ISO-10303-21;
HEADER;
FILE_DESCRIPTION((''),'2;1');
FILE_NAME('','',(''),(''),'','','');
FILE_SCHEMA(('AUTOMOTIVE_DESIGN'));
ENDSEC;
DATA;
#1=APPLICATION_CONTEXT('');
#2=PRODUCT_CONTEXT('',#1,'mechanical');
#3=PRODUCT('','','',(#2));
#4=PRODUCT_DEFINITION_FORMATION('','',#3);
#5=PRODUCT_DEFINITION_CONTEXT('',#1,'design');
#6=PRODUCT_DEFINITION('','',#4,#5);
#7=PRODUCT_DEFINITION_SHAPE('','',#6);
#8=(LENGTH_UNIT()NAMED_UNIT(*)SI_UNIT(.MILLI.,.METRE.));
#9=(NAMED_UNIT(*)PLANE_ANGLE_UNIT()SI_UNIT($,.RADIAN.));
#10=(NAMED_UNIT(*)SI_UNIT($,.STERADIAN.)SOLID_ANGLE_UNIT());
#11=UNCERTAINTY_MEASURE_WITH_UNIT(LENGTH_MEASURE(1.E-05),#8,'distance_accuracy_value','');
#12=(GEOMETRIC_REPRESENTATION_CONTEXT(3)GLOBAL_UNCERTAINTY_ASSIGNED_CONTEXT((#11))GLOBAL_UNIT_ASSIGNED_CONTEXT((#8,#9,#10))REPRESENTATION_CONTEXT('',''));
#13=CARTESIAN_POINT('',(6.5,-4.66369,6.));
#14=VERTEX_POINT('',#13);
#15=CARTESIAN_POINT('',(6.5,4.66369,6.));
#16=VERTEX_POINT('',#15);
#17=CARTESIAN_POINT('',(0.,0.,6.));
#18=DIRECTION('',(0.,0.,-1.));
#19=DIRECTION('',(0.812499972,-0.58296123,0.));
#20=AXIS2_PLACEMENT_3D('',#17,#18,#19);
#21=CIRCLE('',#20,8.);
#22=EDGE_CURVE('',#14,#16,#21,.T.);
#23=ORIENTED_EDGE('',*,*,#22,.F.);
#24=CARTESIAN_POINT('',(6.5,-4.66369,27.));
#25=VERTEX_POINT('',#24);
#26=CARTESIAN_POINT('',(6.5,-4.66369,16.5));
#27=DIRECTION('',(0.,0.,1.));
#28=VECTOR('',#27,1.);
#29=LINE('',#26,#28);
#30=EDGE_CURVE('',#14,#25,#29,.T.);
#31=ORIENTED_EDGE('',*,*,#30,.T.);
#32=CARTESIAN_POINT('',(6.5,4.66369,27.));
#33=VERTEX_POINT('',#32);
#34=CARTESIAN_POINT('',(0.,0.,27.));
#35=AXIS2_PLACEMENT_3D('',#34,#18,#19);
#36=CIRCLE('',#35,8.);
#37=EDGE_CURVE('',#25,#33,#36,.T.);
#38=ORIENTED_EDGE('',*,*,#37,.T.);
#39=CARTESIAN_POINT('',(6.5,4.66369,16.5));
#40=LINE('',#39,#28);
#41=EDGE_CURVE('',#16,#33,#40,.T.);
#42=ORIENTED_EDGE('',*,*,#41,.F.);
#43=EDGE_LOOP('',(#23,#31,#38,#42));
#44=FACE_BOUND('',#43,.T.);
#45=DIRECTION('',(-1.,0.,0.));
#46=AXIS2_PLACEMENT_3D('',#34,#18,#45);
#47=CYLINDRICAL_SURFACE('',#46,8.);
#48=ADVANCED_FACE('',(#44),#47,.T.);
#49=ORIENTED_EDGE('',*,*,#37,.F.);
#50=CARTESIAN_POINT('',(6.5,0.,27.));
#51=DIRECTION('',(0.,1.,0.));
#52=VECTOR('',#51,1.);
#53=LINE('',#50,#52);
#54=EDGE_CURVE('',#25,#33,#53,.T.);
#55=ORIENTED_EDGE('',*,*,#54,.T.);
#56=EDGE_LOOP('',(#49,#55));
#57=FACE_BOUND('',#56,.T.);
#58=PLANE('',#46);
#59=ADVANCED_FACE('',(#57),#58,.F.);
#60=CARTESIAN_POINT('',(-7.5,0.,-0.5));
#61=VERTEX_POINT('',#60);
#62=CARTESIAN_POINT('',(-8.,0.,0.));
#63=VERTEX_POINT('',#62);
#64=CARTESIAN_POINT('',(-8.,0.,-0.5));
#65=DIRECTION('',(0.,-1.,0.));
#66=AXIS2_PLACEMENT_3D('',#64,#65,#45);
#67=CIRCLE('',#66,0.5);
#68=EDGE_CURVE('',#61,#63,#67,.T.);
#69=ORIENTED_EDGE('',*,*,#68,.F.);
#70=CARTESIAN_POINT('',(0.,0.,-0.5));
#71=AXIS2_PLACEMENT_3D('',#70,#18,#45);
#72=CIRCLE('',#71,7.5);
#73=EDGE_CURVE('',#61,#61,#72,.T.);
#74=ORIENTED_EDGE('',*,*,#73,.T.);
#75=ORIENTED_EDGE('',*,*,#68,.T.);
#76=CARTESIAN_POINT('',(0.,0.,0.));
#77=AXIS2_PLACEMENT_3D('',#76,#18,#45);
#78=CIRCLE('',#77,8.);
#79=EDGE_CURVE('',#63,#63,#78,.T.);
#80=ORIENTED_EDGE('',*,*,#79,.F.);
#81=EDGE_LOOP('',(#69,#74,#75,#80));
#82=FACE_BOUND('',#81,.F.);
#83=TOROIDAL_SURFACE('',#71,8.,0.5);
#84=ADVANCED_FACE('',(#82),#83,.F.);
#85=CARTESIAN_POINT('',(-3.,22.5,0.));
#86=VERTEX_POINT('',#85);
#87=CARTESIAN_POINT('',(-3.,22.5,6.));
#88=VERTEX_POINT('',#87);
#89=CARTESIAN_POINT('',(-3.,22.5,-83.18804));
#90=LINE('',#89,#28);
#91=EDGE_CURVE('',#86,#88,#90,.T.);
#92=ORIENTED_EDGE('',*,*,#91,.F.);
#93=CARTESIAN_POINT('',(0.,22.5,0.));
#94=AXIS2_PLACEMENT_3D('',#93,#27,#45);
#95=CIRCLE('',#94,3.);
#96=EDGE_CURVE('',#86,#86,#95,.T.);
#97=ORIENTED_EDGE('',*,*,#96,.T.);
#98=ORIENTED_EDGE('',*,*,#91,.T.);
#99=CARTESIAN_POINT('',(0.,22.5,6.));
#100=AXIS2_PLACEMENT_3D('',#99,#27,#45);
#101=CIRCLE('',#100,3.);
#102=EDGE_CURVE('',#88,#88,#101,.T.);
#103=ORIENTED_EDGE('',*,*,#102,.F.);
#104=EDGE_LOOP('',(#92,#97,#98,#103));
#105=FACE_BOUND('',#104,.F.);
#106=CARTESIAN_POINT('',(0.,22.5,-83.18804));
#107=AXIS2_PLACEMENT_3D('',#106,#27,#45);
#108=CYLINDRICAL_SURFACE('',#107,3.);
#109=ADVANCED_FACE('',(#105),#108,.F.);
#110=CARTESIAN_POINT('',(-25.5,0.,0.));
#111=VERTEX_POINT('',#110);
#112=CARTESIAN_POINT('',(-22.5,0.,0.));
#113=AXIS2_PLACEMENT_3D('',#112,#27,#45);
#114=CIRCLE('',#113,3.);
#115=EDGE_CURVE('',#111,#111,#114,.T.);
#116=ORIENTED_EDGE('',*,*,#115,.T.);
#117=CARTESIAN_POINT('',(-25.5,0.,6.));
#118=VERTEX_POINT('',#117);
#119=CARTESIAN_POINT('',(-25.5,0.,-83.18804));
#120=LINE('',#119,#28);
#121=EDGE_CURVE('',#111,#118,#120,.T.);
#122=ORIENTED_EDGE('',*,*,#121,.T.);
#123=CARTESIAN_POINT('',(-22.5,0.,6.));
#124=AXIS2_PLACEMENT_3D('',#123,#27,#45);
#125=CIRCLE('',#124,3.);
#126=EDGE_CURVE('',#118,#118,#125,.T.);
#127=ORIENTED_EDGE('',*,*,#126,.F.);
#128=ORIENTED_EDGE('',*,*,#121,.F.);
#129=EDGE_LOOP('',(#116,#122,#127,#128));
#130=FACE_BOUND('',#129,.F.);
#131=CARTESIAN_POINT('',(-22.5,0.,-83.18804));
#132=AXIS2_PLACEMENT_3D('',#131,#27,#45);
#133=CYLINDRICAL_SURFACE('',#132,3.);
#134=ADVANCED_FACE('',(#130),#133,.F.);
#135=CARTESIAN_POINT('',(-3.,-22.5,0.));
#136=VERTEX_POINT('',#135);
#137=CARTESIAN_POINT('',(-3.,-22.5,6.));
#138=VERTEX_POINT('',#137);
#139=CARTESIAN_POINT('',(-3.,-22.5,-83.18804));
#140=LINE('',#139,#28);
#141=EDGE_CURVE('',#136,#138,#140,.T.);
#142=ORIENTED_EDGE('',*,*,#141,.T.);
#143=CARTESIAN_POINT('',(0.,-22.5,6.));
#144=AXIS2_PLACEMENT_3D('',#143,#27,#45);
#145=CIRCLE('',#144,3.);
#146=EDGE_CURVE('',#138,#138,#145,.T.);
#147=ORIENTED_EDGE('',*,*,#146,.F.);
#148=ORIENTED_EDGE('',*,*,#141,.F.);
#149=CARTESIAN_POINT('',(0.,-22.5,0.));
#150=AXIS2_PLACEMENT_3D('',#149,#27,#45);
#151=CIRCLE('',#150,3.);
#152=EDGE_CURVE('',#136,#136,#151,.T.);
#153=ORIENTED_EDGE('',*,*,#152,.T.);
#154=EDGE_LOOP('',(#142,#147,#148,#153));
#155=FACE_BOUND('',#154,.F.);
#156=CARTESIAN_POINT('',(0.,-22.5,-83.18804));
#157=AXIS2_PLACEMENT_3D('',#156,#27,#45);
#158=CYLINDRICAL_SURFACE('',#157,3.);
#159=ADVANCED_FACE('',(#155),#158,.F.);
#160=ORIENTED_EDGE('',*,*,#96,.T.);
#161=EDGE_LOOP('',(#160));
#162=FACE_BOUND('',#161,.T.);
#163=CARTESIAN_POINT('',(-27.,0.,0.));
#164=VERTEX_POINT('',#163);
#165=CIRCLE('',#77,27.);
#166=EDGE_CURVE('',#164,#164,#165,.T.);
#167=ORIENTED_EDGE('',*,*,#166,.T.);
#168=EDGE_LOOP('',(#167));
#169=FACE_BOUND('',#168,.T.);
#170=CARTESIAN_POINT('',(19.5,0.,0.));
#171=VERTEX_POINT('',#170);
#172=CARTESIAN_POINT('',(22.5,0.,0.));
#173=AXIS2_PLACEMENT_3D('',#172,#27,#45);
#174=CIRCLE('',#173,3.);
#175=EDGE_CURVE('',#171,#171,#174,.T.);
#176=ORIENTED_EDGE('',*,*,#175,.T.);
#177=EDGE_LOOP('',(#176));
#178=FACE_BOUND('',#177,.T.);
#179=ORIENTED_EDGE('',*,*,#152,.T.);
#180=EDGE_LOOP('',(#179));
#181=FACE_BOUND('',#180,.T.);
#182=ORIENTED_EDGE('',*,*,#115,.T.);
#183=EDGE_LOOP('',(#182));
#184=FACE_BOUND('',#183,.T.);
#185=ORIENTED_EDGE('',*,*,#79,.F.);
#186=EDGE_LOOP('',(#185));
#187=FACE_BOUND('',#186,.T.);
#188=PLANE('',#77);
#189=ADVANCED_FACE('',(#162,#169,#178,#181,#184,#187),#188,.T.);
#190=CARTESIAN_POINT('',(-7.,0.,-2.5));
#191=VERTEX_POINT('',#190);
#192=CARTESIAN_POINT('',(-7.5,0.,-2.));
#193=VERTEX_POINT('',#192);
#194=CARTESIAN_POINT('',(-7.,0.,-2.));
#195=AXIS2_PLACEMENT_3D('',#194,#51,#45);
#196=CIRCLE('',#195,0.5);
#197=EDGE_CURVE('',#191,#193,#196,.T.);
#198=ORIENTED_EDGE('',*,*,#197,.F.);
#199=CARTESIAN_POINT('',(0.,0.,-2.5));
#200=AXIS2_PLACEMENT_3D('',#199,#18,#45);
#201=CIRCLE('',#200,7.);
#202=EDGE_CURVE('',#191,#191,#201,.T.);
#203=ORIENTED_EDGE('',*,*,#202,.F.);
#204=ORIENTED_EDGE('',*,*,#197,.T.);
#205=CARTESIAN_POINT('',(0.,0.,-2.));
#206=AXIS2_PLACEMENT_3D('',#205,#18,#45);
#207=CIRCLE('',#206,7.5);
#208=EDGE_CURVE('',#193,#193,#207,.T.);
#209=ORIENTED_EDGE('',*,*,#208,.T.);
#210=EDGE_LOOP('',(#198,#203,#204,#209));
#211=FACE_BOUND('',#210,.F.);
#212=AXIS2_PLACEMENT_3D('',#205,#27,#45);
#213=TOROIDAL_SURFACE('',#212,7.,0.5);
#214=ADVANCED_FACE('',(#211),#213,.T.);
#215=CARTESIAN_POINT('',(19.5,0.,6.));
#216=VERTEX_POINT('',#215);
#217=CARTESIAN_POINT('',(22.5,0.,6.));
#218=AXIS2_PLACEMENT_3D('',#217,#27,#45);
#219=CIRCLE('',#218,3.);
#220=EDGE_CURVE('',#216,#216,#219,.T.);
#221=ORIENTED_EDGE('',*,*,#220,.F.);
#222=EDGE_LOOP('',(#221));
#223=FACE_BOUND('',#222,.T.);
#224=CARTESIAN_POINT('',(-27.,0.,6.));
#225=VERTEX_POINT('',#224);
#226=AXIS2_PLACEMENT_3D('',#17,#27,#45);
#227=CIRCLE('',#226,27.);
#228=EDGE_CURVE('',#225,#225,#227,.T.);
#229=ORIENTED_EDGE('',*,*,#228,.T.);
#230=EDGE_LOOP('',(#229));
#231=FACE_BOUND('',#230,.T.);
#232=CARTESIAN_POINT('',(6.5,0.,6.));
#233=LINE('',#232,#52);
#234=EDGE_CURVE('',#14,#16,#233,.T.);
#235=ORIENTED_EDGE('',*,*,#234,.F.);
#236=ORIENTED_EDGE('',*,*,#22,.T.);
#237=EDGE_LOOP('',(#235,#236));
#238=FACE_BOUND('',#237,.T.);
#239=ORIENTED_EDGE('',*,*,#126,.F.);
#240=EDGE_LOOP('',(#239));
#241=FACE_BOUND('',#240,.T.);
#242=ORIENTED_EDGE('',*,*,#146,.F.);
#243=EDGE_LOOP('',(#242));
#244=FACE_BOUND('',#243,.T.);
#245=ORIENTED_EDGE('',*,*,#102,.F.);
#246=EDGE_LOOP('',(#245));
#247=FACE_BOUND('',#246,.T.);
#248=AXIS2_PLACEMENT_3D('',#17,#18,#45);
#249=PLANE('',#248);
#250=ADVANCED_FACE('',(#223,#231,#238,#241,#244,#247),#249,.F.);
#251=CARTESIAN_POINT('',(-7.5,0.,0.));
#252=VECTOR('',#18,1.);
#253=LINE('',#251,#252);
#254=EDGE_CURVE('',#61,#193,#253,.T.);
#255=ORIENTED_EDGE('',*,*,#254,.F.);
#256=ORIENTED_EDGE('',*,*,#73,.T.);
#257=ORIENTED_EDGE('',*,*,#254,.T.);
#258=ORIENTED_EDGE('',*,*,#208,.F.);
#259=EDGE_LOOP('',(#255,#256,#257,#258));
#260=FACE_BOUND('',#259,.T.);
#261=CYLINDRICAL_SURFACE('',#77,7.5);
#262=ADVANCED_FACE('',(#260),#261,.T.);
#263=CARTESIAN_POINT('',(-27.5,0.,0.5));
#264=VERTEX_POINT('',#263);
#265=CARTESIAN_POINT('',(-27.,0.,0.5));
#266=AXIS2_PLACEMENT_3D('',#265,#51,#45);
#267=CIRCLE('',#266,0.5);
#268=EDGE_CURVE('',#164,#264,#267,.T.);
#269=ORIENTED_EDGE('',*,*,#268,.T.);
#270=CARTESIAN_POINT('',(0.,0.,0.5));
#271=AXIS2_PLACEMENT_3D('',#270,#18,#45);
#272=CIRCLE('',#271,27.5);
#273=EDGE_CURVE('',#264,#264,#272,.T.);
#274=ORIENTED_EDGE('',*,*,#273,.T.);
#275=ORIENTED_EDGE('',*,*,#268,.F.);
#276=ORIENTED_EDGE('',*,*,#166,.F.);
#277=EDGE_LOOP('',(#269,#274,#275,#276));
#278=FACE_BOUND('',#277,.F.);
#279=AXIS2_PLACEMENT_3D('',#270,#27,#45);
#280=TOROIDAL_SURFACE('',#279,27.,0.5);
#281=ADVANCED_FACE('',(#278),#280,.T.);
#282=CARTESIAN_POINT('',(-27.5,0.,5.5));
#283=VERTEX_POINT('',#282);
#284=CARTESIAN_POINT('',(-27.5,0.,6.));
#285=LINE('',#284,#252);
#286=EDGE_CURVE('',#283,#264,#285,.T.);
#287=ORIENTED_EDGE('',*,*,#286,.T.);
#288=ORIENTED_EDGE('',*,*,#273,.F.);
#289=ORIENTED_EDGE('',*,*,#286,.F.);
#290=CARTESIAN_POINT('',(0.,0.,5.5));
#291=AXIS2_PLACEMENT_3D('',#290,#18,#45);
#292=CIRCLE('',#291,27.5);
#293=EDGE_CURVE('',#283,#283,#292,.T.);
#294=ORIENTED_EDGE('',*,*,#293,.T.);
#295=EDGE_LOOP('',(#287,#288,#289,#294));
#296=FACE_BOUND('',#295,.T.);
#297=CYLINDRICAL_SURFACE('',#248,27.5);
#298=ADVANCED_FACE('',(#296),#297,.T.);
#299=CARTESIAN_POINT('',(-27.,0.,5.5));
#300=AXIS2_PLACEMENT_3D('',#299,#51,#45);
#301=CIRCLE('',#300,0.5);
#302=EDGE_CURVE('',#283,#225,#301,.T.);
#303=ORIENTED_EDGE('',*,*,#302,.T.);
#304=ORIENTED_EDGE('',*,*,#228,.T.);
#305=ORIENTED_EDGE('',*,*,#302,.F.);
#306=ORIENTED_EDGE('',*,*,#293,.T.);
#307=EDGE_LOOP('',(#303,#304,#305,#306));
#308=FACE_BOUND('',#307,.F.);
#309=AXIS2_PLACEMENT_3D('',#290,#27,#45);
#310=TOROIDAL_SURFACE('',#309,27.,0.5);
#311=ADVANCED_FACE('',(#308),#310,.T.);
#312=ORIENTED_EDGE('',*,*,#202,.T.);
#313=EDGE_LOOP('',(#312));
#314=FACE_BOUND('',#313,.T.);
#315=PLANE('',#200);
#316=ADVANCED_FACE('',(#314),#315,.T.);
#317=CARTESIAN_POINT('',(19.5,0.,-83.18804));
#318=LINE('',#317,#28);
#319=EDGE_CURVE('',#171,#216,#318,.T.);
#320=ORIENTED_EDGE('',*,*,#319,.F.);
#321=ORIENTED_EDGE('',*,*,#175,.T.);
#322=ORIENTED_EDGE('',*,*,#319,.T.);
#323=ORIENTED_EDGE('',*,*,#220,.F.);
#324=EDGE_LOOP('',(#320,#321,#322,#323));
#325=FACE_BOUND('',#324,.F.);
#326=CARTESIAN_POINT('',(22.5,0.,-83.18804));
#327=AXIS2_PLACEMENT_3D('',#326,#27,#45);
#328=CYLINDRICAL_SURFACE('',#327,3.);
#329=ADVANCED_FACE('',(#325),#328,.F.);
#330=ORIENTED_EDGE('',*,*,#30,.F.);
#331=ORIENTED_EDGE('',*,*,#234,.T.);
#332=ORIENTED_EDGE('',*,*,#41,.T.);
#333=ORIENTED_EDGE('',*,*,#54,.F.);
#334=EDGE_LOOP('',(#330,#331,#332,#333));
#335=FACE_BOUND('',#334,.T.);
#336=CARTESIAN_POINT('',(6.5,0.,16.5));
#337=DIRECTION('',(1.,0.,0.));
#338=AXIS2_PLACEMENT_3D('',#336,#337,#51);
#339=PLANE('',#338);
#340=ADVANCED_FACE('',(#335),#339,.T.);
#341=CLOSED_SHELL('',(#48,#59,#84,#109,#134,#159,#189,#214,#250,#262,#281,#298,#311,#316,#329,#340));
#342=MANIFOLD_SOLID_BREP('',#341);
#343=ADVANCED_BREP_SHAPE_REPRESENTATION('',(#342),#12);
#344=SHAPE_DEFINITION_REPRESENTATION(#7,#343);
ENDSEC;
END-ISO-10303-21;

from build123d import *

# Parameters (mm, degrees)
F3_D     = 6
F4_R     = 0.5
F6_W     = 9.32738
F6_H     = 21
F7_DEPTH = 25


with BuildPart() as f1:
    # F0 (on Front) → F1 (revolve)
    with BuildSketch(Plane.XZ):
        Polygon((-7.5, -2.5), (0, -2.5), (0, 27), (-8, 27), (-8, 6), (-27.5, 6), (-27.5, 0), (-7.5, 0), align=None)
    revolve(axis=Axis((0, 0, 5.601703), (0, 0, -1)))

    # F3 (through all)
    with Locations(Plane(origin=(0, 0, 0), x_dir=(1, 0, 0), z_dir=(0, 0, -1))):
        with Locations((0, -22.5), (22.5, 0), (0, 22.5), (-22.5, 0)):
            Hole(F3_D / 2)

    # F4
    f4_edges = [f1.edges().sort_by_distance(p)[0] for p in [
        (27.5, 0, 6),
        (27.5, 0, 0),
        (7.5, 0, -2.5),
        (7.5, 0, 0),
    ]]
    fillet(f4_edges, radius=F4_R)

    # F6 (on offset) → F7 (cut)
    with BuildSketch(Plane.YZ.offset(6.5)):
        with Locations((0, 16.5)):
            Rectangle(F6_W, F6_H)
    extrude(amount=F7_DEPTH, mode=Mode.SUBTRACT)


solid = f1.part
